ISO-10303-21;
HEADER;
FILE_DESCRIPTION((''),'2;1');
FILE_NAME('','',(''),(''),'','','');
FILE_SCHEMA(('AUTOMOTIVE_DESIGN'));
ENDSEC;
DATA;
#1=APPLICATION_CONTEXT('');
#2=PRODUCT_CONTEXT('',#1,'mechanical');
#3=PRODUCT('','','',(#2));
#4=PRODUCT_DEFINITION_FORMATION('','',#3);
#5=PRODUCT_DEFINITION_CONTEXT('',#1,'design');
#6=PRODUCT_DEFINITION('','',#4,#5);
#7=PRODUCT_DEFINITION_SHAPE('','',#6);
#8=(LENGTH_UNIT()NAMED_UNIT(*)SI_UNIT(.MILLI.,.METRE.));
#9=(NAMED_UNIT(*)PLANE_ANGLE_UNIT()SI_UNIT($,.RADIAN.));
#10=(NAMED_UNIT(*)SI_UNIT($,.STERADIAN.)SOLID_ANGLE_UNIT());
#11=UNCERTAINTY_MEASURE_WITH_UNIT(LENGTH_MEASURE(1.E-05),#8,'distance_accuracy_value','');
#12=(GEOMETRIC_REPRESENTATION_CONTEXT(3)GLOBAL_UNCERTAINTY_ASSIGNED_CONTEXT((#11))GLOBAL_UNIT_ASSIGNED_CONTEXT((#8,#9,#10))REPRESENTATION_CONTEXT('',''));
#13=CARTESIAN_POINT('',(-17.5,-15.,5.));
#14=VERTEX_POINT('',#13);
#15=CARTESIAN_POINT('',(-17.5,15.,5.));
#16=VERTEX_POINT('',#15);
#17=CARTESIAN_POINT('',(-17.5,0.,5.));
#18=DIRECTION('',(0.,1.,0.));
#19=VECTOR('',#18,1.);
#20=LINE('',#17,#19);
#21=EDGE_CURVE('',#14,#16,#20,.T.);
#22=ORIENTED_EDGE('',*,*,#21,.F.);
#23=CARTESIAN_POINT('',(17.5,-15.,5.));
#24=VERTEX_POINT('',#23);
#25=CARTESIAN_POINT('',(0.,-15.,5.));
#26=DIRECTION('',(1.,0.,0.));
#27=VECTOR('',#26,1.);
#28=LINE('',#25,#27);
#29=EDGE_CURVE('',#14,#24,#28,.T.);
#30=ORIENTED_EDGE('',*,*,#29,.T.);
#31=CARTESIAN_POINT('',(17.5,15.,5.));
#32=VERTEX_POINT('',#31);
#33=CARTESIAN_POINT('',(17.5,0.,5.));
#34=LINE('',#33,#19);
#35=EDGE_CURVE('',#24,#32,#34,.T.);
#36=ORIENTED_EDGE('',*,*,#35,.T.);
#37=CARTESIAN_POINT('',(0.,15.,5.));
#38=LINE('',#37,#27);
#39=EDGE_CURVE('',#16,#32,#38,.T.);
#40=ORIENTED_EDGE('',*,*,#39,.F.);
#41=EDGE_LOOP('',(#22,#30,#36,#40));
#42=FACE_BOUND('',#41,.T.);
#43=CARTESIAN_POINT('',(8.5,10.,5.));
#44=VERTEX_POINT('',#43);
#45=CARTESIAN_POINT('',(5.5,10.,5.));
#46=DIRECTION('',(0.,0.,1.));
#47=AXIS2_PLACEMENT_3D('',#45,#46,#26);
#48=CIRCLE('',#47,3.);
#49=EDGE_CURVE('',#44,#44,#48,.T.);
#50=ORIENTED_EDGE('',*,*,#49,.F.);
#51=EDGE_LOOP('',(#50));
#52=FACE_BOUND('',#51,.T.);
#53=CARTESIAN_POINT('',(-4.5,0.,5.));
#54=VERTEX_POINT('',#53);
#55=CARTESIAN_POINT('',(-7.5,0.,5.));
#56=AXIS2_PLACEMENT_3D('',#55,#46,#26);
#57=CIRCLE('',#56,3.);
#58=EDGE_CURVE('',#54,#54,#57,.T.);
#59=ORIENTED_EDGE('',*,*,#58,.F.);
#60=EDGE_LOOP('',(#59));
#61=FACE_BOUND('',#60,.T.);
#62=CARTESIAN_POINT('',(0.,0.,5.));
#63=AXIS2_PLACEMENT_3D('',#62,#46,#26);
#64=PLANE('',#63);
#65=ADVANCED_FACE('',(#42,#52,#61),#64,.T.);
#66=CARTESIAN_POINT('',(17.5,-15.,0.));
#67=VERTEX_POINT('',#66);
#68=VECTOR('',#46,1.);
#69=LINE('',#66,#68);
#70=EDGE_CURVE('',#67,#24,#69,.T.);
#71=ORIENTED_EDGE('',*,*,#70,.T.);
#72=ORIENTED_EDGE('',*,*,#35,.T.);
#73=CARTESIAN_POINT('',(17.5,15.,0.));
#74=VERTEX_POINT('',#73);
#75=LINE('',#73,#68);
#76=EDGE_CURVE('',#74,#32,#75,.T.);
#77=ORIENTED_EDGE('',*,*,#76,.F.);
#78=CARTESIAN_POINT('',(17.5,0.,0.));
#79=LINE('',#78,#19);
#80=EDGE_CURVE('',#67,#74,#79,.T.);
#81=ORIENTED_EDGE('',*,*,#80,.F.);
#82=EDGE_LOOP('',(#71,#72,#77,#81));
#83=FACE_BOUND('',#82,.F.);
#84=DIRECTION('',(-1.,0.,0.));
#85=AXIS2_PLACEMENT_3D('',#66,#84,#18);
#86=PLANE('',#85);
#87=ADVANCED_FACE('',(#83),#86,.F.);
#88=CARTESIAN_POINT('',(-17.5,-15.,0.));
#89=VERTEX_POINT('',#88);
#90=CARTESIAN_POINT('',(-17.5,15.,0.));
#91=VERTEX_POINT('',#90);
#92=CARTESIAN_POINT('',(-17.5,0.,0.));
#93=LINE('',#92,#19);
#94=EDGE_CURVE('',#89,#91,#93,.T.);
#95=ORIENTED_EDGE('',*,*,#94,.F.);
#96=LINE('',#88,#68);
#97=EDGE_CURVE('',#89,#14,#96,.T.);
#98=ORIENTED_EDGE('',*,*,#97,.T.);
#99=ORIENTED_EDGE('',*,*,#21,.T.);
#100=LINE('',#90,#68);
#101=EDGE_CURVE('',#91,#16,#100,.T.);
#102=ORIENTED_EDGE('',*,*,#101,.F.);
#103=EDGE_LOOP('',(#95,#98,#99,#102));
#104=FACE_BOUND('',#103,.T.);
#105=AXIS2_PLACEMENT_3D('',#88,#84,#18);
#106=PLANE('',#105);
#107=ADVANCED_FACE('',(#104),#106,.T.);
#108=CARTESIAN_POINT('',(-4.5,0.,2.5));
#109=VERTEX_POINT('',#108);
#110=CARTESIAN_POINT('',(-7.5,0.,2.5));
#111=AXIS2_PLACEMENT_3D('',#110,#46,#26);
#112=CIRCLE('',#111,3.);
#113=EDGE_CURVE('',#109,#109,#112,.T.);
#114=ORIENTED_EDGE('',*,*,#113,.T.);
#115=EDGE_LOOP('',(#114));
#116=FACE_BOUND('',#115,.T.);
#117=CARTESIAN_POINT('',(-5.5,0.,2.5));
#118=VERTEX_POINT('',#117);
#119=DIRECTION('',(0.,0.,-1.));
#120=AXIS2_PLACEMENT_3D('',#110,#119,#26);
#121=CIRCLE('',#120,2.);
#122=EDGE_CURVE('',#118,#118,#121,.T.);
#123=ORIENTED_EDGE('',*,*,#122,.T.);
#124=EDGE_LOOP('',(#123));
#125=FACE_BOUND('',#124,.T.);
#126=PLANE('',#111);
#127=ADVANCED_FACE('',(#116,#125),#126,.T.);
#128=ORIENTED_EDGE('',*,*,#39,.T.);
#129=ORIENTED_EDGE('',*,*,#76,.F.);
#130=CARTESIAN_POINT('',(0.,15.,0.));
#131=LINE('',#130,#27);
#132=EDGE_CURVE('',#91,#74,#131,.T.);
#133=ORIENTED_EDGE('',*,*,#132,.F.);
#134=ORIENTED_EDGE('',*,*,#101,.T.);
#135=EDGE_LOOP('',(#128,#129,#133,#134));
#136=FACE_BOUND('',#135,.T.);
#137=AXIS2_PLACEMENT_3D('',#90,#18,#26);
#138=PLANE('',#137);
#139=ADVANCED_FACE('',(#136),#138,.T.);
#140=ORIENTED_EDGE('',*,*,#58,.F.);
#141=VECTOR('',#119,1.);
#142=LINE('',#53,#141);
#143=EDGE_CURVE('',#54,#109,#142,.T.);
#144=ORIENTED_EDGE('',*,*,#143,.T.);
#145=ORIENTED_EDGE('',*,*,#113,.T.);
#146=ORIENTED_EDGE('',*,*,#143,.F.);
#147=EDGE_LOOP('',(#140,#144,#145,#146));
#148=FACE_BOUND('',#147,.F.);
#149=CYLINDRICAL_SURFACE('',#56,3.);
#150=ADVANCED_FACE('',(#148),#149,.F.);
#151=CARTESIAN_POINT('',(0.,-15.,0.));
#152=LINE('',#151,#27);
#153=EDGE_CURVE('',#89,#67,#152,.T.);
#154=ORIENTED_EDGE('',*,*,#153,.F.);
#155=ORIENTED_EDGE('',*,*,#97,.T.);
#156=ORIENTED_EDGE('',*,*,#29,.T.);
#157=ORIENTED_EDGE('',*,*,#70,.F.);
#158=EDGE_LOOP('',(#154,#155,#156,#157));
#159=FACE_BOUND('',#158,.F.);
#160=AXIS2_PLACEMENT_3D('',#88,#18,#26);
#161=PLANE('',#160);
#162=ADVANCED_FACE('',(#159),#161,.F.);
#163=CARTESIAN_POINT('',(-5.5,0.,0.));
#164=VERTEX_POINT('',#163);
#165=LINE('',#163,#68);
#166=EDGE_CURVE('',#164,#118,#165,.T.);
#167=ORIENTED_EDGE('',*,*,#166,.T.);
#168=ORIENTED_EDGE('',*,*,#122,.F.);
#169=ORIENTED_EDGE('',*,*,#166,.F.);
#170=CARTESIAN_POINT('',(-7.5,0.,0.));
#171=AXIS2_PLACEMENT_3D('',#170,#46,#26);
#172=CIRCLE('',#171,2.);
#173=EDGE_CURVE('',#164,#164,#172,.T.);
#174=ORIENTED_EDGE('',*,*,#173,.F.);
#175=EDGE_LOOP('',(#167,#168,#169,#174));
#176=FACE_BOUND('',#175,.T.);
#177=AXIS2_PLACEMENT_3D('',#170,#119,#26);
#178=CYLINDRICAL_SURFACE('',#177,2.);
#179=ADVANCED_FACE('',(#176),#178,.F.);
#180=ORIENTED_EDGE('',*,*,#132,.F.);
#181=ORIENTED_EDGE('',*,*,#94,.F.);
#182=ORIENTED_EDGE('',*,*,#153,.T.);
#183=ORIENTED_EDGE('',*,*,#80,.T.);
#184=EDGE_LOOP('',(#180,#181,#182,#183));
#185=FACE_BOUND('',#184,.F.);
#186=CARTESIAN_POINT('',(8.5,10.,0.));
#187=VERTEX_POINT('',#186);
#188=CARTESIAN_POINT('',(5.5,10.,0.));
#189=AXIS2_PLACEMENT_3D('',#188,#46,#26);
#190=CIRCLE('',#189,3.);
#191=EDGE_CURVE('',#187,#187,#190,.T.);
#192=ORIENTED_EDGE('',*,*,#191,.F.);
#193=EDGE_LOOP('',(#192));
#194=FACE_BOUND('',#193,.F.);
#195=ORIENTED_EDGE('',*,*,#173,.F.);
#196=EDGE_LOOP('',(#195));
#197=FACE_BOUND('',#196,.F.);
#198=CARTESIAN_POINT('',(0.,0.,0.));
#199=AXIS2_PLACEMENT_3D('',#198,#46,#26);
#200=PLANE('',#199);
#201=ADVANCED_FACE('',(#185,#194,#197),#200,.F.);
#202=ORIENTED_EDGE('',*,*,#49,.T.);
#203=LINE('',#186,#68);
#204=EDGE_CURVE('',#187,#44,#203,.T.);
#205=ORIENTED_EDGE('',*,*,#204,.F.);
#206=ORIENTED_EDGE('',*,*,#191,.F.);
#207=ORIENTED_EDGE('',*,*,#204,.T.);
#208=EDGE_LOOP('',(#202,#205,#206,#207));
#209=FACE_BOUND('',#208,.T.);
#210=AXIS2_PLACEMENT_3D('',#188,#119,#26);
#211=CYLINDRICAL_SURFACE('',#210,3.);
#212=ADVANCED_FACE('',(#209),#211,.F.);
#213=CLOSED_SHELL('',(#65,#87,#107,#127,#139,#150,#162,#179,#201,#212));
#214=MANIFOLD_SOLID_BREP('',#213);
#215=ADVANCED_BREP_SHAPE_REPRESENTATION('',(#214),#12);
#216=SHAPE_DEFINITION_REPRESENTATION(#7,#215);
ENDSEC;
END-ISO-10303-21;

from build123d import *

# Parameters (mm, degrees)
F0_W     = 35
F0_H     = 30
F0_R     = 2
F0_R_2   = 3
F1_DEPTH = 5
F2_R     = 3
F3_DEPTH = 2.5


with BuildPart() as f1:
    # F0 (on Top) → F1 (new body)
    with BuildSketch(Plane.XY):
        Rectangle(F0_W, F0_H)
        with Locations((-7.5, 0)):
            Circle(F0_R, mode=Mode.SUBTRACT)
        with Locations((5.5, 10)):
            Circle(F0_R_2, mode=Mode.SUBTRACT)
    extrude(amount=F1_DEPTH)

    # F2 (on face) → F3 (cut)
    with BuildSketch(Plane.XY.offset(5)):
        with Locations((-7.5, 0)):
            Circle(F2_R)
    extrude(amount=-F3_DEPTH, mode=Mode.SUBTRACT)


solid = f1.part
